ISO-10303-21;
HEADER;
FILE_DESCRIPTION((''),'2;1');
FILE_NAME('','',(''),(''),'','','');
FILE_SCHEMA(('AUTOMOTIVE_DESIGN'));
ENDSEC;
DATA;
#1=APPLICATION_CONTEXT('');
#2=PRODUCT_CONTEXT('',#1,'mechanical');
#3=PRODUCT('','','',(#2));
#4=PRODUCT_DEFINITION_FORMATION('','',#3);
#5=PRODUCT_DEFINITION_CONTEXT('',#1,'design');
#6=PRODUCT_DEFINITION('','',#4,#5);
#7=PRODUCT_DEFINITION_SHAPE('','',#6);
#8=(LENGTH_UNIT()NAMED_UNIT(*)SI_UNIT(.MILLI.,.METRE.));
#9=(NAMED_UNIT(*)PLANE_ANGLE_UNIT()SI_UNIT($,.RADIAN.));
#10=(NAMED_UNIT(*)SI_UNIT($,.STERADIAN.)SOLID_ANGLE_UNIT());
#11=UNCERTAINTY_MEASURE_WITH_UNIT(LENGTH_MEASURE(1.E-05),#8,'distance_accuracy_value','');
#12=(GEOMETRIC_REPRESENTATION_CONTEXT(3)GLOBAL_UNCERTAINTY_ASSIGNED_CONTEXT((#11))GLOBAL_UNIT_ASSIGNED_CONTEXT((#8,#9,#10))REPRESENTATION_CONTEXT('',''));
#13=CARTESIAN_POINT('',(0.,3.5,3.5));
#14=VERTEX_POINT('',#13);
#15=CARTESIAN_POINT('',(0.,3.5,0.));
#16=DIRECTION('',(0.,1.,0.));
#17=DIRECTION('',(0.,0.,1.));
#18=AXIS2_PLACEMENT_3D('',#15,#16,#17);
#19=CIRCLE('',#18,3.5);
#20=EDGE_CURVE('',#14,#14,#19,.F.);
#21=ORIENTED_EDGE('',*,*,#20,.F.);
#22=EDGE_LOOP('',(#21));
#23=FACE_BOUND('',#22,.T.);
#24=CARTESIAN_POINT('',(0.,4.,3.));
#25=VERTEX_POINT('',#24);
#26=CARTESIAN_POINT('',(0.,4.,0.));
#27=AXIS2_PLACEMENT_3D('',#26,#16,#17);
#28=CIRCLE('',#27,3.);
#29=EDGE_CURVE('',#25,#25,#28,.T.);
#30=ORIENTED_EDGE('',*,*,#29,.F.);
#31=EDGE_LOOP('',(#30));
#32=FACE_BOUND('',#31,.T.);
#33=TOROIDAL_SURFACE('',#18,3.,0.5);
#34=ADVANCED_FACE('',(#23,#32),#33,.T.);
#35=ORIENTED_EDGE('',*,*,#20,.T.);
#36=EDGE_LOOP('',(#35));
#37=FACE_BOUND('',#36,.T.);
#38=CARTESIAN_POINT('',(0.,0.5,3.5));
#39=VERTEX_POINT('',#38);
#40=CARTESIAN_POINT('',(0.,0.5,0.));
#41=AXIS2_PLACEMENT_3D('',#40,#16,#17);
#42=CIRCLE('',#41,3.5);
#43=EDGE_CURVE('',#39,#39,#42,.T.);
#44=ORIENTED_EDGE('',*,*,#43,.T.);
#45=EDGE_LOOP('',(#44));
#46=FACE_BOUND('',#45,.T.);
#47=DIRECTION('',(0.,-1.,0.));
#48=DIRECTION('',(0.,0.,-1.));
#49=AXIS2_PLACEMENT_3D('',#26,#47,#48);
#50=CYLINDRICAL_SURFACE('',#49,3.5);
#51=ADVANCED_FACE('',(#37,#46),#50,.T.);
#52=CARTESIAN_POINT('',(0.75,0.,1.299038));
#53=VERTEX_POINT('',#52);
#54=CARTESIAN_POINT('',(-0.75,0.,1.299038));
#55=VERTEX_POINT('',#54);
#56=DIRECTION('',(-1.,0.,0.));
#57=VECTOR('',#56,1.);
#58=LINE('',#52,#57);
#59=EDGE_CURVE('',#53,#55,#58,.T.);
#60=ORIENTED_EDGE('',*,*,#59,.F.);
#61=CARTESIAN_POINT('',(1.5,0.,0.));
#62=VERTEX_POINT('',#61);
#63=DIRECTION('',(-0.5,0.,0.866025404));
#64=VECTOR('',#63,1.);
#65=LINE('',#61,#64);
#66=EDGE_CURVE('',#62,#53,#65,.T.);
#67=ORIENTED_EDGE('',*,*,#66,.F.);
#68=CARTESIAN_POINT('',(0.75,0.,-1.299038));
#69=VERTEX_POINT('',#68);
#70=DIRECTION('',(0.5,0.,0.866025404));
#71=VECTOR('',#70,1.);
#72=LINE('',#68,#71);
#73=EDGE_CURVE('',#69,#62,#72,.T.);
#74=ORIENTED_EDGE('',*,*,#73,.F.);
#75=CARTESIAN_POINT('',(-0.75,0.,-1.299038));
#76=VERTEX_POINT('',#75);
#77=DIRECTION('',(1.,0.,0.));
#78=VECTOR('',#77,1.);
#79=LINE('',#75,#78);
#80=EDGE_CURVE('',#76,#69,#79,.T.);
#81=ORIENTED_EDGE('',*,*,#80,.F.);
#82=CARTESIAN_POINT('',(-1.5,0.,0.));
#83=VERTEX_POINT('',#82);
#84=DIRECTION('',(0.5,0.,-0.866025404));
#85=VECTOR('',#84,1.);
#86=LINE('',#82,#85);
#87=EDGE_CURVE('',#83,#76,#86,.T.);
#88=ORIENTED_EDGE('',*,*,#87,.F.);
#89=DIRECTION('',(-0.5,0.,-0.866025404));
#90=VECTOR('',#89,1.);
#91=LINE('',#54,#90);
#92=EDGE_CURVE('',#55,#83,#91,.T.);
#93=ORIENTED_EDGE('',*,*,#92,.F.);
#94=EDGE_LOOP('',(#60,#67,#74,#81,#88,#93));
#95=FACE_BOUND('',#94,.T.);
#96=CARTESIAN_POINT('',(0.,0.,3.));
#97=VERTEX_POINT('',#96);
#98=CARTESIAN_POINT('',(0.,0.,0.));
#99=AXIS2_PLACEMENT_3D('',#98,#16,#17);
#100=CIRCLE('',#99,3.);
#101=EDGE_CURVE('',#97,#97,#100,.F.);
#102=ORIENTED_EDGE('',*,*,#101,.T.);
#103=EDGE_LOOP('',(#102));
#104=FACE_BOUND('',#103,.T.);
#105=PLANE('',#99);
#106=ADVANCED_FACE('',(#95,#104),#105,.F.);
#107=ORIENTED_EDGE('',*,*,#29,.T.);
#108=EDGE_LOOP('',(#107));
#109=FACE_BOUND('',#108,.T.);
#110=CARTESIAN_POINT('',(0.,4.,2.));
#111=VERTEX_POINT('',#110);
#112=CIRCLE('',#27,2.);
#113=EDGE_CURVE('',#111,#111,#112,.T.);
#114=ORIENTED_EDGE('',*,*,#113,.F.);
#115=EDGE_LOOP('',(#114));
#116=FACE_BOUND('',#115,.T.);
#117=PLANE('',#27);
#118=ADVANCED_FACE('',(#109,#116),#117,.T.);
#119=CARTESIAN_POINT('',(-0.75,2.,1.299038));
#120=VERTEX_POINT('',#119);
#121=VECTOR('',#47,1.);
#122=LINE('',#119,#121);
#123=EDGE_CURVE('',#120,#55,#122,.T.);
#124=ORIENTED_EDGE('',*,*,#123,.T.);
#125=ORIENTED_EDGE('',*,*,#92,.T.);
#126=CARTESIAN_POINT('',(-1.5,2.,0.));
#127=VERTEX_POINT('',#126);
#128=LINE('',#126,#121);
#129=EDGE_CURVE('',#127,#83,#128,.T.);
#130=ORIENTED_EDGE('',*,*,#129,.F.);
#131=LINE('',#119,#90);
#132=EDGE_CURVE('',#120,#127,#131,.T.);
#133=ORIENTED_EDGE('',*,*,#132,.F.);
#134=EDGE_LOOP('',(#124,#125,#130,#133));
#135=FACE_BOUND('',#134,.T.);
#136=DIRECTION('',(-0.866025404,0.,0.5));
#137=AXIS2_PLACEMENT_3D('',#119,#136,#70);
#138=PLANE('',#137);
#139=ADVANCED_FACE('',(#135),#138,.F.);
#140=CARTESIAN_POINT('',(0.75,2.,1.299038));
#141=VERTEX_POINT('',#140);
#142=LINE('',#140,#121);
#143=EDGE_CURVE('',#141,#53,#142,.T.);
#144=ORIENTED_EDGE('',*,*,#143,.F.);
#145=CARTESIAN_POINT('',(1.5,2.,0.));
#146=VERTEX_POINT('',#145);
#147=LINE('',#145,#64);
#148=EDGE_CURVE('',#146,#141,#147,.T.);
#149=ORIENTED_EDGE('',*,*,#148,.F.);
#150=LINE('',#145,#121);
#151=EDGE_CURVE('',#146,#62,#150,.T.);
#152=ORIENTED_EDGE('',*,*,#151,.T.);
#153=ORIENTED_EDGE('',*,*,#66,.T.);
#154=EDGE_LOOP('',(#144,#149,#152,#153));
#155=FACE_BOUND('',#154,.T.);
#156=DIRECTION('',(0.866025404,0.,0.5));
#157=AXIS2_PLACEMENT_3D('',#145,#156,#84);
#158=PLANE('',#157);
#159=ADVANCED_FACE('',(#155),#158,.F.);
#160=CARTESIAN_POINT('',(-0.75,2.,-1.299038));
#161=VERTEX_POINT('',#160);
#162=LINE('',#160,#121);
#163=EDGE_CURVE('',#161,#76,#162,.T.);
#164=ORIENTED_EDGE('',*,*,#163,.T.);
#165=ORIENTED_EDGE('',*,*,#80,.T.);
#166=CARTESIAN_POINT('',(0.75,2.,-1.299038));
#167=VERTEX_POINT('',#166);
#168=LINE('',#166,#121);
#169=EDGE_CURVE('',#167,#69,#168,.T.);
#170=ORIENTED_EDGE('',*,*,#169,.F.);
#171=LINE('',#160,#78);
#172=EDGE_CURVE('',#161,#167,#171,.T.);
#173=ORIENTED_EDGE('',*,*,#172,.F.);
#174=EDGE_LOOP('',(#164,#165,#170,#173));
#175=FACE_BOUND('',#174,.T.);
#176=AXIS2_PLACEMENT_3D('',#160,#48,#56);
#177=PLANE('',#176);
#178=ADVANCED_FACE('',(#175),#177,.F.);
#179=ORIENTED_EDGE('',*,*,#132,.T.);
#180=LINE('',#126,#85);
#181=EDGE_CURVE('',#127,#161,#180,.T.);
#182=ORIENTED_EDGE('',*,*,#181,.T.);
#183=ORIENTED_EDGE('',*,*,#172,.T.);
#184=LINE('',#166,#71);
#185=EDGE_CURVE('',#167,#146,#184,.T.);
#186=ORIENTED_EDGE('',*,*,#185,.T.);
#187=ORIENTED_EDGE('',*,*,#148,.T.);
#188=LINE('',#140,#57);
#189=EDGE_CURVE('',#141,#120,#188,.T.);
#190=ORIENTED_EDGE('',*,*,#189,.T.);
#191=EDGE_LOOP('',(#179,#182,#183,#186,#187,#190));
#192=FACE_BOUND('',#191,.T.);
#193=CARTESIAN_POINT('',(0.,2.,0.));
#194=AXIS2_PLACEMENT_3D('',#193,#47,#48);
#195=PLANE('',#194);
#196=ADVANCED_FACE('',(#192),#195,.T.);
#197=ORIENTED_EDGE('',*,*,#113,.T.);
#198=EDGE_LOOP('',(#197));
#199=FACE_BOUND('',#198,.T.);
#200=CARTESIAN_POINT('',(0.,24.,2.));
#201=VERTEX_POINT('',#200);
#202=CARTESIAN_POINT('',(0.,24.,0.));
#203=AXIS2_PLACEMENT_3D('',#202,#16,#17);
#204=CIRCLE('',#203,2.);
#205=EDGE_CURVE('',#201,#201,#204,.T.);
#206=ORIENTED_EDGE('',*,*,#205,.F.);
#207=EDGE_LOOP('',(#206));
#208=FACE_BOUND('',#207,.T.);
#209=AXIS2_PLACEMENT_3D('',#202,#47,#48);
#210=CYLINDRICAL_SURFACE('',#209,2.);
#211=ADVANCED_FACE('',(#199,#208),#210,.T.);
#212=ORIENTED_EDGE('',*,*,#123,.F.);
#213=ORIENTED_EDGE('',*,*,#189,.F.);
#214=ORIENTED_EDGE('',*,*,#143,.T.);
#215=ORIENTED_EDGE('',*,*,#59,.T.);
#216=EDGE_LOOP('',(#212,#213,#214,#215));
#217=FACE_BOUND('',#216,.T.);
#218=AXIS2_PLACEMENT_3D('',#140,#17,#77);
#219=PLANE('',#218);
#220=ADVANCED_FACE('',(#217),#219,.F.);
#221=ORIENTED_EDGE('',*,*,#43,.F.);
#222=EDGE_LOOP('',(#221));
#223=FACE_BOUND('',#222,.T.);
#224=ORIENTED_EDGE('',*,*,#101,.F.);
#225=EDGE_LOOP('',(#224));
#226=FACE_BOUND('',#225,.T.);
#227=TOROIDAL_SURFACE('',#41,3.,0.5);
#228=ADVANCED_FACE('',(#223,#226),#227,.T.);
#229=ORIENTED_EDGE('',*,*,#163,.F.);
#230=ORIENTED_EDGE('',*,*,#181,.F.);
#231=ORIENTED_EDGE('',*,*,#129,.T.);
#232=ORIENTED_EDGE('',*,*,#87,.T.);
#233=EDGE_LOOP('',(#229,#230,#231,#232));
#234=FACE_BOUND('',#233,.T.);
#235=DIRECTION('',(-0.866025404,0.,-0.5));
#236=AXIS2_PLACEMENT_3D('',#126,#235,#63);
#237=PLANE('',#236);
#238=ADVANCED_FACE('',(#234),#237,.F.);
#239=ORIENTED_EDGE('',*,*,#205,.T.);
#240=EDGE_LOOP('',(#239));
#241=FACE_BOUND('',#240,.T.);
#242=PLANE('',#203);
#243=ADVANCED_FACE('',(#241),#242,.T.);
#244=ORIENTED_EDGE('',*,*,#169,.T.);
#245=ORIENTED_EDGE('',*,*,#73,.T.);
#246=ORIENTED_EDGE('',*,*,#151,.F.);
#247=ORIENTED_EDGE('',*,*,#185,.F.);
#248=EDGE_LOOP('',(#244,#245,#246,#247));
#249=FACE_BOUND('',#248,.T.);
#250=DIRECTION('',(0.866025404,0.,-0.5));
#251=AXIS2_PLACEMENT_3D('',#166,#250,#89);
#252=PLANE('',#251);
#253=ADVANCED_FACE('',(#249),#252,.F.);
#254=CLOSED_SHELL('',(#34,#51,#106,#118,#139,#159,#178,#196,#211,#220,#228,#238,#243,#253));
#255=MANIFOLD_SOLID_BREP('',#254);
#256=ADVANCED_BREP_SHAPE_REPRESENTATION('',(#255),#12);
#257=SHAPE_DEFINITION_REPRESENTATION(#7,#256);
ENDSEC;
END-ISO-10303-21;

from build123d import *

# Parameters (mm, degrees)
SKETCH_1_R          = 3.5
EXTRUDE_1_DEPTH     = 4
SKETCH_2_R          = 2
EXTRUDE_2_DEPTH     = 20
CUT_EXTRUDE_1_DEPTH = 2
FILLET_1_R          = 0.5


with BuildPart() as part:
    # 草图1 → 凸台-拉伸1 (new body)
    with BuildSketch(Plane(origin=(0, 0, 0), x_dir=(1, 0, 0), z_dir=(0, 1, 0))):
        with Locations(Location((0, 0, 0), (0, 0, 270))):
            Circle(SKETCH_1_R)
    extrude(amount=EXTRUDE_1_DEPTH)

    # 草图2 → 凸台-拉伸2 (add)
    with BuildSketch(Plane(origin=(0, 4, 0), x_dir=(1, 0, 0), z_dir=(0, 1, 0))):
        with Locations(Location((0, 0, 0), (0, 0, 270))):
            Circle(SKETCH_2_R)
    extrude(amount=EXTRUDE_2_DEPTH)

    # 草图3 → 切除-拉伸1 (cut)
    with BuildSketch(Plane.XZ):
        Polygon((1.5, 0), (0.75, 1.299038106), (-0.75, 1.299038106), (-1.5, 0), (-0.75, -1.299038106), (0.75, -1.299038106), align=None)
    extrude(amount=-CUT_EXTRUDE_1_DEPTH, mode=Mode.SUBTRACT)

    # 圆角1
    fillet_1_edges = [part.edges().sort_by_distance(p)[0] for p in [
        (0, 0, -3.5),
        (0, 4, -3.5),
    ]]
    fillet(fillet_1_edges, radius=FILLET_1_R)


solid = part.part
